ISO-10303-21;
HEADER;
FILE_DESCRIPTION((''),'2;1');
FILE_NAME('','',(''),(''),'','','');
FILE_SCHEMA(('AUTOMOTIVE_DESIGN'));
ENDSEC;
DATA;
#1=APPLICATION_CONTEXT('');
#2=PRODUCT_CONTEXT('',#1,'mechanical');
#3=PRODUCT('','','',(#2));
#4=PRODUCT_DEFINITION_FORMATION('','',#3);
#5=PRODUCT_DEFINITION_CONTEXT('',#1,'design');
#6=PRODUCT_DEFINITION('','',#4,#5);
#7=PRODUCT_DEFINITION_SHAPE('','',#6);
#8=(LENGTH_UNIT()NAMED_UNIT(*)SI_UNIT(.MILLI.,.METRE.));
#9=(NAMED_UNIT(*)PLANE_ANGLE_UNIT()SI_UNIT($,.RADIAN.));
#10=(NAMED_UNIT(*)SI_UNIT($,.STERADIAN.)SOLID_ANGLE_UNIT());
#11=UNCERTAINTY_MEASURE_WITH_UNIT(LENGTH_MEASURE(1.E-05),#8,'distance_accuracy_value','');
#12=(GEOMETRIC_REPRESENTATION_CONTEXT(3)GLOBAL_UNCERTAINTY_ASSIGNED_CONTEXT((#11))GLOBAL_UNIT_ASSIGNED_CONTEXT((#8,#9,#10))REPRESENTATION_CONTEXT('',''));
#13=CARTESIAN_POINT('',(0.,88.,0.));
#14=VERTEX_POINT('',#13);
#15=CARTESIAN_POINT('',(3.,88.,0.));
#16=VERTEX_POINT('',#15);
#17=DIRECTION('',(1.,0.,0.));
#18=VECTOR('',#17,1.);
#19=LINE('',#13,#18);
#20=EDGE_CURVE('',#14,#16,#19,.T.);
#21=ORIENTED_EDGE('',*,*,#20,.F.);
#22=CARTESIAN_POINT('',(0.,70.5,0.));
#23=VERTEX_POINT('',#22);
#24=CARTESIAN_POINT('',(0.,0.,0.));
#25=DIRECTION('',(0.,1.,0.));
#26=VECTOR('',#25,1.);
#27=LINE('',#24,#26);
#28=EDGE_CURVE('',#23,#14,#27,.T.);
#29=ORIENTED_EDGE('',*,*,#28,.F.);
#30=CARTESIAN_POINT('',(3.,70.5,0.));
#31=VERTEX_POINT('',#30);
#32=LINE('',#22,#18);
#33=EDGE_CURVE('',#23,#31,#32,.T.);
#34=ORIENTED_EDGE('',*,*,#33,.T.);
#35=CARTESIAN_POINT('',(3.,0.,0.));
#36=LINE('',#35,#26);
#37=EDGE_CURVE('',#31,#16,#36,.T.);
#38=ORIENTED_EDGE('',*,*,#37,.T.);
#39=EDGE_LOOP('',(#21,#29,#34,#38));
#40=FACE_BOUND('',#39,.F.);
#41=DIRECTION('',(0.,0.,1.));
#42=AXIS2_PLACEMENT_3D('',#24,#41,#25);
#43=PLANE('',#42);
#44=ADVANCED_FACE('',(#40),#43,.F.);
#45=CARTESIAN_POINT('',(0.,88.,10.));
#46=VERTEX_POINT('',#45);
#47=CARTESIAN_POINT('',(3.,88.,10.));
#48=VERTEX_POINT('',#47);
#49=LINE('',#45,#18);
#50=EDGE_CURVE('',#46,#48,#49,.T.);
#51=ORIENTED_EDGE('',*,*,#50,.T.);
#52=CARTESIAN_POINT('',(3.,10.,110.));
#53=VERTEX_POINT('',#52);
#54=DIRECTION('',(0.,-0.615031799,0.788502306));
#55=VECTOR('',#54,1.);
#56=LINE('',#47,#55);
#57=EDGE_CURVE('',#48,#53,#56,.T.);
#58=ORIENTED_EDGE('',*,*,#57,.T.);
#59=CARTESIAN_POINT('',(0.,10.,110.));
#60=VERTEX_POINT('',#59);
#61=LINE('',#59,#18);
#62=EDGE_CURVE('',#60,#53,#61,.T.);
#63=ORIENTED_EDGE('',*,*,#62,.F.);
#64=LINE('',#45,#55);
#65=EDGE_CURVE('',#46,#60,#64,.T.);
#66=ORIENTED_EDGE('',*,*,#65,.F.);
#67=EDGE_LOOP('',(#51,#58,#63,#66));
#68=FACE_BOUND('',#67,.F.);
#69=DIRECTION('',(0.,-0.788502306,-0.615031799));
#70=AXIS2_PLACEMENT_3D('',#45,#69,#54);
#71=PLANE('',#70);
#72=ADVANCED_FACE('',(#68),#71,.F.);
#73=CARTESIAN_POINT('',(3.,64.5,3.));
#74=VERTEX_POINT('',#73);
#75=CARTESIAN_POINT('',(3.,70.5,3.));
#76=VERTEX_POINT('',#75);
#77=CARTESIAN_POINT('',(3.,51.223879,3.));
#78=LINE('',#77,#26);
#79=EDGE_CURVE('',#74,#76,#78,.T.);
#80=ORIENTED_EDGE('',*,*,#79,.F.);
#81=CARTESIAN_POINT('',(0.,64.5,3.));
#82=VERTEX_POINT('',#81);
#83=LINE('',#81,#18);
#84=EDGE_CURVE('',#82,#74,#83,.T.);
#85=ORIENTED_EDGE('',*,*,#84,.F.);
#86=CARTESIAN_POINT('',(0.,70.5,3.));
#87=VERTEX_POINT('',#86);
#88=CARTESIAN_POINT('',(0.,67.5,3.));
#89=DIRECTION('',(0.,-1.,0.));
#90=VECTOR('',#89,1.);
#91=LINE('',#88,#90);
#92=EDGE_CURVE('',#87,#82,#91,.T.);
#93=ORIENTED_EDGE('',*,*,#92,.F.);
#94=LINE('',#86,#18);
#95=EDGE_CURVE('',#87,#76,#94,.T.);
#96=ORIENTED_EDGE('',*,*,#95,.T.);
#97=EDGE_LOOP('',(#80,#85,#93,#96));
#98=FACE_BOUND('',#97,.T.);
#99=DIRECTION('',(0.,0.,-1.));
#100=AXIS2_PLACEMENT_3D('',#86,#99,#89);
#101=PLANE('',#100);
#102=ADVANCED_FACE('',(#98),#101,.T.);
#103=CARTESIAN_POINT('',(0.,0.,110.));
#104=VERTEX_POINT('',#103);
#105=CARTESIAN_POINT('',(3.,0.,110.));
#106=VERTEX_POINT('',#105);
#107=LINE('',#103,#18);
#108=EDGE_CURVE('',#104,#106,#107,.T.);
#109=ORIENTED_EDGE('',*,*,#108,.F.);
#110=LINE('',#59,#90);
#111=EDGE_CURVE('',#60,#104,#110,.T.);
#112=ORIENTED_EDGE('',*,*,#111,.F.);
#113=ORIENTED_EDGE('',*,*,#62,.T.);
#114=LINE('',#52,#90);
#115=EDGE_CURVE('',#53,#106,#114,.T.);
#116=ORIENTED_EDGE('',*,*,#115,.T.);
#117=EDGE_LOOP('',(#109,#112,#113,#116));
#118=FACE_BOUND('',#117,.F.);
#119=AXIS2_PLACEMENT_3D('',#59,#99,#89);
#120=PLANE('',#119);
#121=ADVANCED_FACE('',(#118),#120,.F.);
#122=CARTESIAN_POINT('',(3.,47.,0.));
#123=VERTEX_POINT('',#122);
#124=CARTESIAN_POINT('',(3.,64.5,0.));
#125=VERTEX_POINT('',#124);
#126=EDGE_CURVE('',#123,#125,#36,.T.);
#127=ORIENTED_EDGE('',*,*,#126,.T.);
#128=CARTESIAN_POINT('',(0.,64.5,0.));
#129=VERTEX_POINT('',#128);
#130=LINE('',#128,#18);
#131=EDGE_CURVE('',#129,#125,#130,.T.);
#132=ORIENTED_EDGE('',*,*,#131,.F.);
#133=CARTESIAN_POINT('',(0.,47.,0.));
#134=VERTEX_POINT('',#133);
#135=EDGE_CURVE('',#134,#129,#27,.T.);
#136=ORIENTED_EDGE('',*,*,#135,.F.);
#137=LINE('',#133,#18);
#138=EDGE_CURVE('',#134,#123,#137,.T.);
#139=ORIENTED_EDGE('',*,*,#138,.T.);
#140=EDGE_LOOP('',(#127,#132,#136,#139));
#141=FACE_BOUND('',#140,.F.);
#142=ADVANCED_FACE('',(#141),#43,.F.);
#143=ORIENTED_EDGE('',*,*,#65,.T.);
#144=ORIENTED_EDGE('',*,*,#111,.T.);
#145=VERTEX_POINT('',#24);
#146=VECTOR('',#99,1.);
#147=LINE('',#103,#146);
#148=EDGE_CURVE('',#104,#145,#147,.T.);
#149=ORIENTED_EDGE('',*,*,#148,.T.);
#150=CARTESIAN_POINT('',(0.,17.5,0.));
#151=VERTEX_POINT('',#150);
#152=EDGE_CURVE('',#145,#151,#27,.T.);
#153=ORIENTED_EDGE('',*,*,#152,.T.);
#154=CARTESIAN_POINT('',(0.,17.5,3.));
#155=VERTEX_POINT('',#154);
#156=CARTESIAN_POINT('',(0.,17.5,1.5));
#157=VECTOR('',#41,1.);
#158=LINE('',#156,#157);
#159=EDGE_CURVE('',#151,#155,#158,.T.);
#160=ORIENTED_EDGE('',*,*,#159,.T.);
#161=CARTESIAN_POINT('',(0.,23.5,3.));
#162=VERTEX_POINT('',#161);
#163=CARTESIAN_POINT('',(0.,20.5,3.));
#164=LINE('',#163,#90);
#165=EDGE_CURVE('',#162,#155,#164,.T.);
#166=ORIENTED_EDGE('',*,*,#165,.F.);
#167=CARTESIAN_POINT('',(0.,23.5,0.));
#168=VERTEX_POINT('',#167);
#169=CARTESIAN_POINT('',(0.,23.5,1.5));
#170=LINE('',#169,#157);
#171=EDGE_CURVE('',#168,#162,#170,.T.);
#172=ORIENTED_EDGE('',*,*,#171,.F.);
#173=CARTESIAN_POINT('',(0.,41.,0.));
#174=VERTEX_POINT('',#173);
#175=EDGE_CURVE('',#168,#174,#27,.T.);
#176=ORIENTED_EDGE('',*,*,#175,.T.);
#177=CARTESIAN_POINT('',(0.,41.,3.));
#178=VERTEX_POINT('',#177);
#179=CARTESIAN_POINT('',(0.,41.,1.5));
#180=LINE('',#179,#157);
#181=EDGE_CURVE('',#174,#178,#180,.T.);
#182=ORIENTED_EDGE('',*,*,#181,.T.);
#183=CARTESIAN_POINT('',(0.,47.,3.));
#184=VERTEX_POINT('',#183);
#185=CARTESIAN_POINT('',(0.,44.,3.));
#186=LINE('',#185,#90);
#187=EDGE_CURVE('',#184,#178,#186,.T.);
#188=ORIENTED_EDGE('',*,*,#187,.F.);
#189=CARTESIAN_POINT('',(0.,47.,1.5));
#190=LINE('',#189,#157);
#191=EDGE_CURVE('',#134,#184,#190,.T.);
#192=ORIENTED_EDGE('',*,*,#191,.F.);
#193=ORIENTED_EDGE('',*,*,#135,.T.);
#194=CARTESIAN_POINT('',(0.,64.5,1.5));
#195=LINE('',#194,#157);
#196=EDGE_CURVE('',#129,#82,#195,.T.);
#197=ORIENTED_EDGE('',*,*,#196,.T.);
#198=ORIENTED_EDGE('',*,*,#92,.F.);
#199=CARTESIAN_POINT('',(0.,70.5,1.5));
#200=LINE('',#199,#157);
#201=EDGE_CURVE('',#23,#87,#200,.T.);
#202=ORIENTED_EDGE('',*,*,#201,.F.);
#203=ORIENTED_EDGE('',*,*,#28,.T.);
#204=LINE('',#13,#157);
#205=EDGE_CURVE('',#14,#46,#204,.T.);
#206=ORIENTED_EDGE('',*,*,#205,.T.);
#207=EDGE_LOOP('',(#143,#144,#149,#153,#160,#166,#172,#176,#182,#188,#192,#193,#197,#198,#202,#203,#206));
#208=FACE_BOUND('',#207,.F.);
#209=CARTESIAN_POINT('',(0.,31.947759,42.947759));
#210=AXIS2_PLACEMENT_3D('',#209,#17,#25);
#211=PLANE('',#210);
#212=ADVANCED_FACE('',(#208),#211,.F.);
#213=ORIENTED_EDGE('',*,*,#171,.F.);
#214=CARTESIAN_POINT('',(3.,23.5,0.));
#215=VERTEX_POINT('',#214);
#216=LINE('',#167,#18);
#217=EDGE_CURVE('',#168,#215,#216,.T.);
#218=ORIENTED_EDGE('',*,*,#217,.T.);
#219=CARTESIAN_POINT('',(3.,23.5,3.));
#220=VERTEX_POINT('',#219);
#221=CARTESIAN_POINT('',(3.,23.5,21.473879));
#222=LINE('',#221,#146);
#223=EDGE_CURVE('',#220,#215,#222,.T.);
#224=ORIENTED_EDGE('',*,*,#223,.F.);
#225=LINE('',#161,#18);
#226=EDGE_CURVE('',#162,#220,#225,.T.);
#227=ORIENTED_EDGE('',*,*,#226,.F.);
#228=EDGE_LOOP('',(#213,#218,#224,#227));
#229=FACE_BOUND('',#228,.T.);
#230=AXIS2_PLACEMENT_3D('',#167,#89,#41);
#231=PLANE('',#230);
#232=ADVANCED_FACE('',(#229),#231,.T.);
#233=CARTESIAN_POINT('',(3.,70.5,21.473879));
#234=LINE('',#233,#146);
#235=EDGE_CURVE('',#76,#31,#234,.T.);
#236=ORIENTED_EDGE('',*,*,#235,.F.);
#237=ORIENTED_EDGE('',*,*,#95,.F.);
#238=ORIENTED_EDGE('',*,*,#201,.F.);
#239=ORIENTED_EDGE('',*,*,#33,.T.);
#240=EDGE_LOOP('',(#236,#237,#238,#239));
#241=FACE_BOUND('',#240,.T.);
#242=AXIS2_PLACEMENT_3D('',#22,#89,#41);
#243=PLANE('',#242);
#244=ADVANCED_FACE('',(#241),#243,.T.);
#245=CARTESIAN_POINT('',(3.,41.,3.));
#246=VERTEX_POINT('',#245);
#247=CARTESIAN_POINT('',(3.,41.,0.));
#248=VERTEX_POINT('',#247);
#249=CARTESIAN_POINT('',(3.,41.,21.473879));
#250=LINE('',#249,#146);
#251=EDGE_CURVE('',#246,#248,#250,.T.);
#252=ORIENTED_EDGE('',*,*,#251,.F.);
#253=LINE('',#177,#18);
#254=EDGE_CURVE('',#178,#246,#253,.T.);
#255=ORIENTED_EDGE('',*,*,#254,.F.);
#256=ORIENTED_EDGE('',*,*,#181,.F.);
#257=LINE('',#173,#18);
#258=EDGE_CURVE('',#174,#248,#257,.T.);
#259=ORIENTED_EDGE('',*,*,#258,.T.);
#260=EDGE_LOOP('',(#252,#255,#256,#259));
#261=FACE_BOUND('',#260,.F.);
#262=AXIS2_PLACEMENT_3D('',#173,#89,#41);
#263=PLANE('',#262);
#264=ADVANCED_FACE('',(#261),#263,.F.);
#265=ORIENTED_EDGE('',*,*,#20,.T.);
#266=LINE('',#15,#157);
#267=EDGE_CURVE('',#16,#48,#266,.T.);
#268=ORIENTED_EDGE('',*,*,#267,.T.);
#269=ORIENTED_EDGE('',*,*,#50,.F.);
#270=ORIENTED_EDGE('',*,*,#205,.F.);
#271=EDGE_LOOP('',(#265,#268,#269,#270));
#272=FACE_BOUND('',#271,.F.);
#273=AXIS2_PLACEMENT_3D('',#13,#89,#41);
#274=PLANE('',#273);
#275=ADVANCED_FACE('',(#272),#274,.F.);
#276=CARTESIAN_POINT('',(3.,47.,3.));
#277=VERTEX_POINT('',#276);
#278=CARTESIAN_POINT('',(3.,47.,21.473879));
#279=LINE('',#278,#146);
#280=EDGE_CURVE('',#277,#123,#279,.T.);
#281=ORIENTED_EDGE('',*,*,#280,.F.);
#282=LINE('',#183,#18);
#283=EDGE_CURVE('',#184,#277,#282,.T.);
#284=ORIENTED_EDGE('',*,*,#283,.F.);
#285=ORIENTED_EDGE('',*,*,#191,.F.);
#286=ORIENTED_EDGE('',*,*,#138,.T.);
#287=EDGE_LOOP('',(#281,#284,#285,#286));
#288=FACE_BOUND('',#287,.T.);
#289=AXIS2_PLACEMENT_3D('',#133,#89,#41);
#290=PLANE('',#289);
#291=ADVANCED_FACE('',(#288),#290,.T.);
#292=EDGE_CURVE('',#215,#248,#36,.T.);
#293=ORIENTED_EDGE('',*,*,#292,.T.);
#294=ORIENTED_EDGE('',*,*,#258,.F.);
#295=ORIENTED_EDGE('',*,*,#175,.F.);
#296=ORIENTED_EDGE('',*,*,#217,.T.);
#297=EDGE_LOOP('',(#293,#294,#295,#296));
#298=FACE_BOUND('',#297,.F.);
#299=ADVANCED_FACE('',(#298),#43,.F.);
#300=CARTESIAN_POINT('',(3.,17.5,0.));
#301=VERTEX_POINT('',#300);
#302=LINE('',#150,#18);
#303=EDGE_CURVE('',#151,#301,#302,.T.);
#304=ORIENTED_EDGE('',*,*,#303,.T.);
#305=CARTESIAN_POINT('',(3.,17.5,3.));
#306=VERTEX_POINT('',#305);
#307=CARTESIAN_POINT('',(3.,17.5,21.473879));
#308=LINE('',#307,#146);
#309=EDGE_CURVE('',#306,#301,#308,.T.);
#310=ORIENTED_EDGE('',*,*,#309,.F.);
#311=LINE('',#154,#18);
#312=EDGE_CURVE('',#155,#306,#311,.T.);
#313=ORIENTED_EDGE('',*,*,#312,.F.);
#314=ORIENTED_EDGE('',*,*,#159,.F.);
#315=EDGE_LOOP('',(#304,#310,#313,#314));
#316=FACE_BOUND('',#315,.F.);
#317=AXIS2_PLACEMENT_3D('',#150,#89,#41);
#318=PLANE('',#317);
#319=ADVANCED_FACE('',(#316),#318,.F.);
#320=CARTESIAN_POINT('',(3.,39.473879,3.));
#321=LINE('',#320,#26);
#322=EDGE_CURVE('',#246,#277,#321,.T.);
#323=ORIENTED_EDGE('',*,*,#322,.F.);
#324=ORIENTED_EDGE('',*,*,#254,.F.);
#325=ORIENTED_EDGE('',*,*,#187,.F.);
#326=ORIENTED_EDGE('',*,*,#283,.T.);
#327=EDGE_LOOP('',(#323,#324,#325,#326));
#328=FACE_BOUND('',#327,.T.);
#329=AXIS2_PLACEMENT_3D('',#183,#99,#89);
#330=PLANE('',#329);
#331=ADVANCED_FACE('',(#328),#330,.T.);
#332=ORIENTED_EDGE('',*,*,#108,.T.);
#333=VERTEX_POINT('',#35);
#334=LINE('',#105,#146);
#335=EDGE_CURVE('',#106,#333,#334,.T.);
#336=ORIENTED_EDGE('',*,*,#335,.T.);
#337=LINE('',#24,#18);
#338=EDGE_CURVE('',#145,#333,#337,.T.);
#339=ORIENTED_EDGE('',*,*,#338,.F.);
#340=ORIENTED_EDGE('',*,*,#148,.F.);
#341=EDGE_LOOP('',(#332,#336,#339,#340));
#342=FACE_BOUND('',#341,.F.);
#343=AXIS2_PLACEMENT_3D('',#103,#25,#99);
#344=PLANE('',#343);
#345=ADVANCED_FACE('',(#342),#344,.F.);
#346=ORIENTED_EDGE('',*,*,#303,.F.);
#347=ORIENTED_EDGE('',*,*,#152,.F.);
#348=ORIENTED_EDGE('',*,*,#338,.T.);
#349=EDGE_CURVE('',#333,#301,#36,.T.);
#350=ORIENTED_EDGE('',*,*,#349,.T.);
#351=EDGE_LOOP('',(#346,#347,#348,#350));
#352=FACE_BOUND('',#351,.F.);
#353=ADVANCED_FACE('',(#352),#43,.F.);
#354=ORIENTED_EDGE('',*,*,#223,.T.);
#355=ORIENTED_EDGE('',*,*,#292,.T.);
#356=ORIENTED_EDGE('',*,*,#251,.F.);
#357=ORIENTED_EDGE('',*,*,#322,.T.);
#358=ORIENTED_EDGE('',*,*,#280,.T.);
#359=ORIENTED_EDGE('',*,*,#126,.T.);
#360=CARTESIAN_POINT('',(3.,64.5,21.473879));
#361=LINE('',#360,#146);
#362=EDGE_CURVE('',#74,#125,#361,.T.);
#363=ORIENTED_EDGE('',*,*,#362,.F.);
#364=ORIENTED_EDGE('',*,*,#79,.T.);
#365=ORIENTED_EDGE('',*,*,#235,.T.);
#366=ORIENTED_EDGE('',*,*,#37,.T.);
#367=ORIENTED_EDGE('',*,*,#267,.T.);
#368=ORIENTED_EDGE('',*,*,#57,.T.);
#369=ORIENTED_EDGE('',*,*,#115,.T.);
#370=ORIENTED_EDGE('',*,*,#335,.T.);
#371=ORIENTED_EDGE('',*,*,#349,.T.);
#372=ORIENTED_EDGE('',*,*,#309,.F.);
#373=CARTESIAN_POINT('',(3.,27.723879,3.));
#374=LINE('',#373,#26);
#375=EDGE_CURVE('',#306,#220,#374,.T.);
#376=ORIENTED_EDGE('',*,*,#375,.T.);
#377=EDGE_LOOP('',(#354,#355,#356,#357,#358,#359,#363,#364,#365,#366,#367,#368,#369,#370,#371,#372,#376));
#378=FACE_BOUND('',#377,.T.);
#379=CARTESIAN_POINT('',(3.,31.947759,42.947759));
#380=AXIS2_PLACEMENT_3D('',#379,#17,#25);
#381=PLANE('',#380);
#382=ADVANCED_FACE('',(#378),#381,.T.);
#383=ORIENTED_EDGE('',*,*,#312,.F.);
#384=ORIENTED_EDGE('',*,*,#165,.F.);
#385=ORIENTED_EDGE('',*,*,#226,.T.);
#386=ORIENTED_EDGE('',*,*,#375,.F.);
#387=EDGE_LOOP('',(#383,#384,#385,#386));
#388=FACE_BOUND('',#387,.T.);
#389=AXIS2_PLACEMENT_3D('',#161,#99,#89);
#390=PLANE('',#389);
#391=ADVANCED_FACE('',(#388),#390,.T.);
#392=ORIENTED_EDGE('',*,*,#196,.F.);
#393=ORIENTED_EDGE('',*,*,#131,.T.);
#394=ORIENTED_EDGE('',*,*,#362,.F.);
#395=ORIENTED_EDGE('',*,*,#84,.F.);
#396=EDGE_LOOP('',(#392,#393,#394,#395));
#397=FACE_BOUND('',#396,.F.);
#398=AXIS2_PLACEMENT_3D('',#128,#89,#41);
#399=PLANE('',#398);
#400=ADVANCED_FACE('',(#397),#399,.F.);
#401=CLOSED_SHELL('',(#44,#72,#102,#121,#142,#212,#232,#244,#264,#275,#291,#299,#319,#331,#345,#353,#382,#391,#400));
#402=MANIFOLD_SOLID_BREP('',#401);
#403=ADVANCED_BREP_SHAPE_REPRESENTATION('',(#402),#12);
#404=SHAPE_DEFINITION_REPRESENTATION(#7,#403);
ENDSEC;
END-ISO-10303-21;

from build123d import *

# Parameters (mm, degrees)
F1_DEPTH = 3
F2_W     = 6
F2_H     = 3
F3_DEPTH = 25


with BuildPart() as f1:
    # F0 (on Right) → F1 (new body)
    with BuildSketch(Plane.YZ):
        Polygon((0, 110), (0, 0), (88, 0), (88, 10), (10, 110), align=None)
    extrude(amount=F1_DEPTH)

    # F2 (on face) → F3 (cut)
    with BuildSketch(Plane(origin=(0, 0, 0), x_dir=(0, -1, 0), z_dir=(-1, 0, 0))):
        with Locations((-44, 1.5)):
            Rectangle(F2_W, F2_H)
        with Locations((-20.5, 1.5)):
            Rectangle(F2_W, F2_H)
        with Locations((-67.5, 1.5)):
            Rectangle(F2_W, F2_H)
    extrude(amount=-F3_DEPTH, mode=Mode.SUBTRACT)


solid = f1.part
